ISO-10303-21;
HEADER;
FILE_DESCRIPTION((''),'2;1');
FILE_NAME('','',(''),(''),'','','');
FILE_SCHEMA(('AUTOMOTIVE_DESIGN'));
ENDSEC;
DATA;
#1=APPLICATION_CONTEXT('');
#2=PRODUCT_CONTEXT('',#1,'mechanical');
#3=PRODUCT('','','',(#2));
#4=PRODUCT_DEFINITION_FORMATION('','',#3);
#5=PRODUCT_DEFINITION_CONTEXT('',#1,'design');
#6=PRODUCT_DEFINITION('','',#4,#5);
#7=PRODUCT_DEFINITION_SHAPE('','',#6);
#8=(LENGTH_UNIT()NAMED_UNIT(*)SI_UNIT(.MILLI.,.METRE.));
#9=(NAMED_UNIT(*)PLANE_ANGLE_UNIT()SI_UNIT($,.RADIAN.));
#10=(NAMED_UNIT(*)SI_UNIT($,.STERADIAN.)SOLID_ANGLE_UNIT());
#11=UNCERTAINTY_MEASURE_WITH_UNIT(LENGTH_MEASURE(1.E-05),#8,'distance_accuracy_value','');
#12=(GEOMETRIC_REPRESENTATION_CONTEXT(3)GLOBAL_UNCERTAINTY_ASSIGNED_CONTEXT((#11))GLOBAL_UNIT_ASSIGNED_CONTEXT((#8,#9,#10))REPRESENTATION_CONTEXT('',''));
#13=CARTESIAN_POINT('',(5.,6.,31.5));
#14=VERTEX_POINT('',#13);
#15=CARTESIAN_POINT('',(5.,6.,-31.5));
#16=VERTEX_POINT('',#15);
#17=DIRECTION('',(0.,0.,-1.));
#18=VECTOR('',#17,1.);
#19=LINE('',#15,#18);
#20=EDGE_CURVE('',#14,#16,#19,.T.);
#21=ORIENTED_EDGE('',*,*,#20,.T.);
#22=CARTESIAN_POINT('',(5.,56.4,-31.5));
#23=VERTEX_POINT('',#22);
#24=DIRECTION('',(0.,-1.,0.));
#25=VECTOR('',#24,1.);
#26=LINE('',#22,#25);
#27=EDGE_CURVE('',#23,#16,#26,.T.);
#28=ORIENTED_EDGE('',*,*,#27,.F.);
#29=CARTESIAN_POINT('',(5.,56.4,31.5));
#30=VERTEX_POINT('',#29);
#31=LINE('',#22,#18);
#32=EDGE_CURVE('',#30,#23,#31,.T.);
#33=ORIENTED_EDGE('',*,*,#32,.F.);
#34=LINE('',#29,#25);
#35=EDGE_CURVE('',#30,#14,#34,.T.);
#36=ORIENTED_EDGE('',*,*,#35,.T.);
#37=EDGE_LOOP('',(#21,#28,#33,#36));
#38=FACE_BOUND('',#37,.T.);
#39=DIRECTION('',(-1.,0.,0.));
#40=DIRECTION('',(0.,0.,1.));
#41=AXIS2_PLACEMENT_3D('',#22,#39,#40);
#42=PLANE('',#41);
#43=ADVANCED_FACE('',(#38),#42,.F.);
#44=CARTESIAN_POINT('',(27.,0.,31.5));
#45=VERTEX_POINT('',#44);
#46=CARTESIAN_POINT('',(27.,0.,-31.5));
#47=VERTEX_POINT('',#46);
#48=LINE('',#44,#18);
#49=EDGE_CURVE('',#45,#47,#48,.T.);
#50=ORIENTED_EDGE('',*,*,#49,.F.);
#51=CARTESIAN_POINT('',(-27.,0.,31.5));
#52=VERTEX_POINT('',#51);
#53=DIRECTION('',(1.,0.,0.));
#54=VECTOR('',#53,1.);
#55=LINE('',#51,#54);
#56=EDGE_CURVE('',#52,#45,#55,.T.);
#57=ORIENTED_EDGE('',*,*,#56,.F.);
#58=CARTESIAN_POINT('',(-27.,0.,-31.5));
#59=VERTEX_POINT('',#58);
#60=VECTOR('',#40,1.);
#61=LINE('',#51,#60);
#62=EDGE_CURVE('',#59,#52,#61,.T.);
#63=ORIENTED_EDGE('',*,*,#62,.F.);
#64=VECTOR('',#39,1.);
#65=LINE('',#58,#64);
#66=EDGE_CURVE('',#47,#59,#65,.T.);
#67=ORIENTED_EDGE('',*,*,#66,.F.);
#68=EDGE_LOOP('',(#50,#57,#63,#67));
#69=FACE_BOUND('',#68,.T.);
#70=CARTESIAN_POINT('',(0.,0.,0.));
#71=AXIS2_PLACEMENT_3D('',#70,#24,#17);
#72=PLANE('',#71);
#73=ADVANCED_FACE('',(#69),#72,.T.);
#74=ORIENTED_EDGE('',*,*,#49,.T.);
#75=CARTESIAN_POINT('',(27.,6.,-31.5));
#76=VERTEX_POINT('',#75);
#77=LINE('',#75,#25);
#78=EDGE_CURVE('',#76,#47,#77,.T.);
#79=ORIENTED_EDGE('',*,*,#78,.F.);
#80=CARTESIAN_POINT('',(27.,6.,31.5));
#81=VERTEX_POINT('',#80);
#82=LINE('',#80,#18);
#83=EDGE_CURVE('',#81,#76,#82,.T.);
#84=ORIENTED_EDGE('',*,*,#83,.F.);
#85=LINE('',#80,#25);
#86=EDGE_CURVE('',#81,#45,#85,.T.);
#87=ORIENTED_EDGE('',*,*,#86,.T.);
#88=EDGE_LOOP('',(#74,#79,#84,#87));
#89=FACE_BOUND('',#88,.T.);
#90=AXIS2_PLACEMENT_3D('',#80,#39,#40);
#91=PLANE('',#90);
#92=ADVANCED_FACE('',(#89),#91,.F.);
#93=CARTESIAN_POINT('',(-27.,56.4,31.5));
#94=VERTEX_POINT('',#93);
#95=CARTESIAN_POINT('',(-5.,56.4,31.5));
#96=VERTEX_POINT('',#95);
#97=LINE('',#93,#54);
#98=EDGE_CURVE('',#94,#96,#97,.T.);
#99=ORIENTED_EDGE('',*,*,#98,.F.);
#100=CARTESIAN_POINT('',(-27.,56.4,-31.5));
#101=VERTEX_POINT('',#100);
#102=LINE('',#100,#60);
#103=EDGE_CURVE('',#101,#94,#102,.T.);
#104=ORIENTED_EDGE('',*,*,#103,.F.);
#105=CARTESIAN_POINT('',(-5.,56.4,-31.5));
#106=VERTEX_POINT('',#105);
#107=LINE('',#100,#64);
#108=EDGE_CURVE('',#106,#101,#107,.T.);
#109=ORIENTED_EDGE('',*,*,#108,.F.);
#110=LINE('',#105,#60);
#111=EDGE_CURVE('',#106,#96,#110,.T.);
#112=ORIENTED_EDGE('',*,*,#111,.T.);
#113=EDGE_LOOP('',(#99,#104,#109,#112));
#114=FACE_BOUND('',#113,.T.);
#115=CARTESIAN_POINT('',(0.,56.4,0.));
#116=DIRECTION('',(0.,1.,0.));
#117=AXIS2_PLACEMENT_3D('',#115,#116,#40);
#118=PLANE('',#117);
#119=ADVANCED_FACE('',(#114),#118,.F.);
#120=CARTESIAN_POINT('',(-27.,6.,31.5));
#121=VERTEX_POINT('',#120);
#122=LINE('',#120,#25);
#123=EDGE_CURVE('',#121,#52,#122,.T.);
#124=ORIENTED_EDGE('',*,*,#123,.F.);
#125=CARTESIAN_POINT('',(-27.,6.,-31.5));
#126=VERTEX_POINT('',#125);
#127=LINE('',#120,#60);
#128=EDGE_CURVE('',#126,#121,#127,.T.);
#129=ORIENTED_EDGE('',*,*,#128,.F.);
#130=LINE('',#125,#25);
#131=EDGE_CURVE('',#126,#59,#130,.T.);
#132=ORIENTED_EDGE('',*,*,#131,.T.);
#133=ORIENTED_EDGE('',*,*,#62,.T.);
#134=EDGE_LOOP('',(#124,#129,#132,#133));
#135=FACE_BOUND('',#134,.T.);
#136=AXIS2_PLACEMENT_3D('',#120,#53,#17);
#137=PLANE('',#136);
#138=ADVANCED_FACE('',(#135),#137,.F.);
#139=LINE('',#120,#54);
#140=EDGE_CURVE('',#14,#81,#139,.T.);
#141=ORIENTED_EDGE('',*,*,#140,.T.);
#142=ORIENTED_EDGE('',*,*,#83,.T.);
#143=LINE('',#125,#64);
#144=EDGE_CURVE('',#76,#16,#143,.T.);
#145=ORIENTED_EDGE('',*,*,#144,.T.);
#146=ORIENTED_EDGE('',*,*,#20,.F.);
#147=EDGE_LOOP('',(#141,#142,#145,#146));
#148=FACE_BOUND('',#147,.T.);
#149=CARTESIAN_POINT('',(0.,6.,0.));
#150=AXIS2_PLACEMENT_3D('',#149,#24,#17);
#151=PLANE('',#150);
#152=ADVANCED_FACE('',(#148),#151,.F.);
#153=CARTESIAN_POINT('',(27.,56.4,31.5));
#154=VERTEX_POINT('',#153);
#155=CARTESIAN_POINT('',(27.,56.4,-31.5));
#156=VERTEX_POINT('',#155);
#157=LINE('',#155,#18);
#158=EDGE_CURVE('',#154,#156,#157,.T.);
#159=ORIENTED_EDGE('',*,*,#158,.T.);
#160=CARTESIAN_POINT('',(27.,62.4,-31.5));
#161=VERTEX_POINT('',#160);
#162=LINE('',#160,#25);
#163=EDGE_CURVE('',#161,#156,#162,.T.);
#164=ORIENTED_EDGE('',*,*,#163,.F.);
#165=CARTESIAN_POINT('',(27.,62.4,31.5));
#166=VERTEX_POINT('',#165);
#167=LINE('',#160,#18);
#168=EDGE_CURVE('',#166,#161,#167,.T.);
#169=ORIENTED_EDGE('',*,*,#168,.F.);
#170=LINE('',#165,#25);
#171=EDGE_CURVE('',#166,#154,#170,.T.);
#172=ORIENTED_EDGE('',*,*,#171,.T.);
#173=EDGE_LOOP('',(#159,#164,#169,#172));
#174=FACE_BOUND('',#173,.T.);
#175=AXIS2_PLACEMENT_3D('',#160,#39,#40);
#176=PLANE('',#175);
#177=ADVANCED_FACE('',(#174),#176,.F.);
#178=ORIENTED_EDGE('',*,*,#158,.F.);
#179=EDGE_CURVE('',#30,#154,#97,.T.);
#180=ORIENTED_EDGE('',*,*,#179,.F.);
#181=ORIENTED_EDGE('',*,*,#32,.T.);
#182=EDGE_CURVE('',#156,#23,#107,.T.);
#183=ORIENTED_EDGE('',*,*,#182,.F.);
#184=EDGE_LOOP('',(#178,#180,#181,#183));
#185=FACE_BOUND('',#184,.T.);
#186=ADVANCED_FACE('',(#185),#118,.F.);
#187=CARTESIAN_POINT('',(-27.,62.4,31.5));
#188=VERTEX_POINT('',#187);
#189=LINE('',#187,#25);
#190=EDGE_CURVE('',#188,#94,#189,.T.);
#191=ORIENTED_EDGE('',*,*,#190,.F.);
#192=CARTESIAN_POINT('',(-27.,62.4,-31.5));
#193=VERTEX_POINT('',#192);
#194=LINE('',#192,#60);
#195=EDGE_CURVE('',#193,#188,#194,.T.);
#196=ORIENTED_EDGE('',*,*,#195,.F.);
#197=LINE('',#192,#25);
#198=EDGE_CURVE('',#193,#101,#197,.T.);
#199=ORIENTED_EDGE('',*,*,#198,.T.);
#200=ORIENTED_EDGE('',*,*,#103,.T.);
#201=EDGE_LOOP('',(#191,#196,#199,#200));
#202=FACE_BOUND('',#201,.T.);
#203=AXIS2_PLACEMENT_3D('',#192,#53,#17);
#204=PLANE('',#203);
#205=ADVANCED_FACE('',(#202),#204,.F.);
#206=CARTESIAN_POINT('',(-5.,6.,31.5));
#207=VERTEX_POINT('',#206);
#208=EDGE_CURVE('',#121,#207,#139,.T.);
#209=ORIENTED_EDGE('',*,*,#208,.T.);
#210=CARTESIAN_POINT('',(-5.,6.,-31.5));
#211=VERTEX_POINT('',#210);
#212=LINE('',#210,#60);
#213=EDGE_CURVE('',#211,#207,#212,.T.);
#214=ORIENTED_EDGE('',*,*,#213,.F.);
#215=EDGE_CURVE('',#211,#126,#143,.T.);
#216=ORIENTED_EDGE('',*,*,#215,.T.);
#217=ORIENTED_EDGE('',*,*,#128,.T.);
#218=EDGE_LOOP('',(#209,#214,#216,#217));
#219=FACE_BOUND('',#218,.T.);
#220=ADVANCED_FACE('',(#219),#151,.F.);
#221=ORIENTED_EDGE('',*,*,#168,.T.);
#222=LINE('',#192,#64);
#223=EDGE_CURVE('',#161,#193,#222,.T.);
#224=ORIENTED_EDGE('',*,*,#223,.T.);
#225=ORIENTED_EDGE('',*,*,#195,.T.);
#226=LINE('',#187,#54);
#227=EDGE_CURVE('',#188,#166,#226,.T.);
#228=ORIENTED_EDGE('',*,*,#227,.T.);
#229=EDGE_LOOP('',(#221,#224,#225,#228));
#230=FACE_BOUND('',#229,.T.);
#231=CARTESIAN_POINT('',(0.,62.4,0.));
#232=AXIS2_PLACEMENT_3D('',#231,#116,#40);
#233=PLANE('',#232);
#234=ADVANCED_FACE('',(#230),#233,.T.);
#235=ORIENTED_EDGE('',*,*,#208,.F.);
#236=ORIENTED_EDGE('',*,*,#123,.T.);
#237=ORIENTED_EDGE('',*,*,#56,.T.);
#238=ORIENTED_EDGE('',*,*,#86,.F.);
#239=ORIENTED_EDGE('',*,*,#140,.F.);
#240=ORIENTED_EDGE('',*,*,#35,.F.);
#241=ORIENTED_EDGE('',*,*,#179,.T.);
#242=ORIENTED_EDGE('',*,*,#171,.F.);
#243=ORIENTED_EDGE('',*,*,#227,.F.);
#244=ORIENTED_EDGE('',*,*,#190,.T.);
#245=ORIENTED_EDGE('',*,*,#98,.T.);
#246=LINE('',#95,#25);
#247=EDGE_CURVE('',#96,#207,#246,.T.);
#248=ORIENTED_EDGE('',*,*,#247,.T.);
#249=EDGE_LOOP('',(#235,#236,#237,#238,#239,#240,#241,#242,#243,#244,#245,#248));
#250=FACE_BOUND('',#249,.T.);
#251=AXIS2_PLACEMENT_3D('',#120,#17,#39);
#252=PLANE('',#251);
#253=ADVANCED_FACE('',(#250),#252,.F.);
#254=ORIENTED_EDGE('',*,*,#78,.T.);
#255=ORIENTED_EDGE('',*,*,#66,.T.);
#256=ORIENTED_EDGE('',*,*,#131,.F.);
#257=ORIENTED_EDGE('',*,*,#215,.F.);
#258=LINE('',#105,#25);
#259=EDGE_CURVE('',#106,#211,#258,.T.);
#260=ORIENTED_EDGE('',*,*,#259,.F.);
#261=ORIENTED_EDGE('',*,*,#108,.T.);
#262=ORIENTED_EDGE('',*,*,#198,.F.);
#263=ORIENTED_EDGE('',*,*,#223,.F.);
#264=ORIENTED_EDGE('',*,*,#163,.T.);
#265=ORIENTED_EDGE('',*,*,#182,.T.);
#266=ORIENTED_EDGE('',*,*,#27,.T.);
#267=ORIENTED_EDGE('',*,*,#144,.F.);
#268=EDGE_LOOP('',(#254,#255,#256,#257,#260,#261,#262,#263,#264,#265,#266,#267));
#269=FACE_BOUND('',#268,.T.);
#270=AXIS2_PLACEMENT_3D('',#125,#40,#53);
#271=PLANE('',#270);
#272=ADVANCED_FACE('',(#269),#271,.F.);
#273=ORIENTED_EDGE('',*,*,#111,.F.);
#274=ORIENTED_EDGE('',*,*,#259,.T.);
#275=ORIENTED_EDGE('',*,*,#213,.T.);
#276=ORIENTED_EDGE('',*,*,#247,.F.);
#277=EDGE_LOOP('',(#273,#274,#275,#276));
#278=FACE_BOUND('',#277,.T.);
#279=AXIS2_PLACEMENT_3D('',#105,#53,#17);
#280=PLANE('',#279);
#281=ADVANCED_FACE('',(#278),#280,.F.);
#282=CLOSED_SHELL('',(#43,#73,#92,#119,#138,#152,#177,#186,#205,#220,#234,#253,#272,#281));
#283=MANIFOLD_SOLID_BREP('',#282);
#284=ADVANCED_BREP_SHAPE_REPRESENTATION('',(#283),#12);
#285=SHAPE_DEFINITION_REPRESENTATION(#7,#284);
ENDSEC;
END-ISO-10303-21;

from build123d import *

# Parameters (mm, degrees)
SKETCH_1_W      = 54
SKETCH_1_H      = 63
EXTRUDE_1_DEPTH = 6
SKETCH_2_W      = 10
SKETCH_2_H      = 63
EXTRUDE_2_DEPTH = 50.4
SKETCH_3_W      = 54
SKETCH_3_H      = 63
EXTRUDE_3_DEPTH = 6


with BuildPart() as part:
    # 草图1 → 凸台-拉伸1 (new body)
    with BuildSketch(Plane(origin=(0, 0, 0), x_dir=(1, 0, 0), z_dir=(0, 1, 0))):
        Rectangle(SKETCH_1_W, SKETCH_1_H)
    extrude(amount=EXTRUDE_1_DEPTH)

    # 草图2 → 凸台-拉伸2 (add)
    with BuildSketch(Plane(origin=(0, 6, 0), x_dir=(1, 0, 0), z_dir=(0, 1, 0))):
        Rectangle(SKETCH_2_W, SKETCH_2_H)
    extrude(amount=EXTRUDE_2_DEPTH)

    # 草图3 → 凸台-拉伸3 (add)
    with BuildSketch(Plane(origin=(0, 56.4, 0), x_dir=(1, 0, 0), z_dir=(0, 1, 0))):
        Rectangle(SKETCH_3_W, SKETCH_3_H)
    extrude(amount=EXTRUDE_3_DEPTH)


solid = part.part
